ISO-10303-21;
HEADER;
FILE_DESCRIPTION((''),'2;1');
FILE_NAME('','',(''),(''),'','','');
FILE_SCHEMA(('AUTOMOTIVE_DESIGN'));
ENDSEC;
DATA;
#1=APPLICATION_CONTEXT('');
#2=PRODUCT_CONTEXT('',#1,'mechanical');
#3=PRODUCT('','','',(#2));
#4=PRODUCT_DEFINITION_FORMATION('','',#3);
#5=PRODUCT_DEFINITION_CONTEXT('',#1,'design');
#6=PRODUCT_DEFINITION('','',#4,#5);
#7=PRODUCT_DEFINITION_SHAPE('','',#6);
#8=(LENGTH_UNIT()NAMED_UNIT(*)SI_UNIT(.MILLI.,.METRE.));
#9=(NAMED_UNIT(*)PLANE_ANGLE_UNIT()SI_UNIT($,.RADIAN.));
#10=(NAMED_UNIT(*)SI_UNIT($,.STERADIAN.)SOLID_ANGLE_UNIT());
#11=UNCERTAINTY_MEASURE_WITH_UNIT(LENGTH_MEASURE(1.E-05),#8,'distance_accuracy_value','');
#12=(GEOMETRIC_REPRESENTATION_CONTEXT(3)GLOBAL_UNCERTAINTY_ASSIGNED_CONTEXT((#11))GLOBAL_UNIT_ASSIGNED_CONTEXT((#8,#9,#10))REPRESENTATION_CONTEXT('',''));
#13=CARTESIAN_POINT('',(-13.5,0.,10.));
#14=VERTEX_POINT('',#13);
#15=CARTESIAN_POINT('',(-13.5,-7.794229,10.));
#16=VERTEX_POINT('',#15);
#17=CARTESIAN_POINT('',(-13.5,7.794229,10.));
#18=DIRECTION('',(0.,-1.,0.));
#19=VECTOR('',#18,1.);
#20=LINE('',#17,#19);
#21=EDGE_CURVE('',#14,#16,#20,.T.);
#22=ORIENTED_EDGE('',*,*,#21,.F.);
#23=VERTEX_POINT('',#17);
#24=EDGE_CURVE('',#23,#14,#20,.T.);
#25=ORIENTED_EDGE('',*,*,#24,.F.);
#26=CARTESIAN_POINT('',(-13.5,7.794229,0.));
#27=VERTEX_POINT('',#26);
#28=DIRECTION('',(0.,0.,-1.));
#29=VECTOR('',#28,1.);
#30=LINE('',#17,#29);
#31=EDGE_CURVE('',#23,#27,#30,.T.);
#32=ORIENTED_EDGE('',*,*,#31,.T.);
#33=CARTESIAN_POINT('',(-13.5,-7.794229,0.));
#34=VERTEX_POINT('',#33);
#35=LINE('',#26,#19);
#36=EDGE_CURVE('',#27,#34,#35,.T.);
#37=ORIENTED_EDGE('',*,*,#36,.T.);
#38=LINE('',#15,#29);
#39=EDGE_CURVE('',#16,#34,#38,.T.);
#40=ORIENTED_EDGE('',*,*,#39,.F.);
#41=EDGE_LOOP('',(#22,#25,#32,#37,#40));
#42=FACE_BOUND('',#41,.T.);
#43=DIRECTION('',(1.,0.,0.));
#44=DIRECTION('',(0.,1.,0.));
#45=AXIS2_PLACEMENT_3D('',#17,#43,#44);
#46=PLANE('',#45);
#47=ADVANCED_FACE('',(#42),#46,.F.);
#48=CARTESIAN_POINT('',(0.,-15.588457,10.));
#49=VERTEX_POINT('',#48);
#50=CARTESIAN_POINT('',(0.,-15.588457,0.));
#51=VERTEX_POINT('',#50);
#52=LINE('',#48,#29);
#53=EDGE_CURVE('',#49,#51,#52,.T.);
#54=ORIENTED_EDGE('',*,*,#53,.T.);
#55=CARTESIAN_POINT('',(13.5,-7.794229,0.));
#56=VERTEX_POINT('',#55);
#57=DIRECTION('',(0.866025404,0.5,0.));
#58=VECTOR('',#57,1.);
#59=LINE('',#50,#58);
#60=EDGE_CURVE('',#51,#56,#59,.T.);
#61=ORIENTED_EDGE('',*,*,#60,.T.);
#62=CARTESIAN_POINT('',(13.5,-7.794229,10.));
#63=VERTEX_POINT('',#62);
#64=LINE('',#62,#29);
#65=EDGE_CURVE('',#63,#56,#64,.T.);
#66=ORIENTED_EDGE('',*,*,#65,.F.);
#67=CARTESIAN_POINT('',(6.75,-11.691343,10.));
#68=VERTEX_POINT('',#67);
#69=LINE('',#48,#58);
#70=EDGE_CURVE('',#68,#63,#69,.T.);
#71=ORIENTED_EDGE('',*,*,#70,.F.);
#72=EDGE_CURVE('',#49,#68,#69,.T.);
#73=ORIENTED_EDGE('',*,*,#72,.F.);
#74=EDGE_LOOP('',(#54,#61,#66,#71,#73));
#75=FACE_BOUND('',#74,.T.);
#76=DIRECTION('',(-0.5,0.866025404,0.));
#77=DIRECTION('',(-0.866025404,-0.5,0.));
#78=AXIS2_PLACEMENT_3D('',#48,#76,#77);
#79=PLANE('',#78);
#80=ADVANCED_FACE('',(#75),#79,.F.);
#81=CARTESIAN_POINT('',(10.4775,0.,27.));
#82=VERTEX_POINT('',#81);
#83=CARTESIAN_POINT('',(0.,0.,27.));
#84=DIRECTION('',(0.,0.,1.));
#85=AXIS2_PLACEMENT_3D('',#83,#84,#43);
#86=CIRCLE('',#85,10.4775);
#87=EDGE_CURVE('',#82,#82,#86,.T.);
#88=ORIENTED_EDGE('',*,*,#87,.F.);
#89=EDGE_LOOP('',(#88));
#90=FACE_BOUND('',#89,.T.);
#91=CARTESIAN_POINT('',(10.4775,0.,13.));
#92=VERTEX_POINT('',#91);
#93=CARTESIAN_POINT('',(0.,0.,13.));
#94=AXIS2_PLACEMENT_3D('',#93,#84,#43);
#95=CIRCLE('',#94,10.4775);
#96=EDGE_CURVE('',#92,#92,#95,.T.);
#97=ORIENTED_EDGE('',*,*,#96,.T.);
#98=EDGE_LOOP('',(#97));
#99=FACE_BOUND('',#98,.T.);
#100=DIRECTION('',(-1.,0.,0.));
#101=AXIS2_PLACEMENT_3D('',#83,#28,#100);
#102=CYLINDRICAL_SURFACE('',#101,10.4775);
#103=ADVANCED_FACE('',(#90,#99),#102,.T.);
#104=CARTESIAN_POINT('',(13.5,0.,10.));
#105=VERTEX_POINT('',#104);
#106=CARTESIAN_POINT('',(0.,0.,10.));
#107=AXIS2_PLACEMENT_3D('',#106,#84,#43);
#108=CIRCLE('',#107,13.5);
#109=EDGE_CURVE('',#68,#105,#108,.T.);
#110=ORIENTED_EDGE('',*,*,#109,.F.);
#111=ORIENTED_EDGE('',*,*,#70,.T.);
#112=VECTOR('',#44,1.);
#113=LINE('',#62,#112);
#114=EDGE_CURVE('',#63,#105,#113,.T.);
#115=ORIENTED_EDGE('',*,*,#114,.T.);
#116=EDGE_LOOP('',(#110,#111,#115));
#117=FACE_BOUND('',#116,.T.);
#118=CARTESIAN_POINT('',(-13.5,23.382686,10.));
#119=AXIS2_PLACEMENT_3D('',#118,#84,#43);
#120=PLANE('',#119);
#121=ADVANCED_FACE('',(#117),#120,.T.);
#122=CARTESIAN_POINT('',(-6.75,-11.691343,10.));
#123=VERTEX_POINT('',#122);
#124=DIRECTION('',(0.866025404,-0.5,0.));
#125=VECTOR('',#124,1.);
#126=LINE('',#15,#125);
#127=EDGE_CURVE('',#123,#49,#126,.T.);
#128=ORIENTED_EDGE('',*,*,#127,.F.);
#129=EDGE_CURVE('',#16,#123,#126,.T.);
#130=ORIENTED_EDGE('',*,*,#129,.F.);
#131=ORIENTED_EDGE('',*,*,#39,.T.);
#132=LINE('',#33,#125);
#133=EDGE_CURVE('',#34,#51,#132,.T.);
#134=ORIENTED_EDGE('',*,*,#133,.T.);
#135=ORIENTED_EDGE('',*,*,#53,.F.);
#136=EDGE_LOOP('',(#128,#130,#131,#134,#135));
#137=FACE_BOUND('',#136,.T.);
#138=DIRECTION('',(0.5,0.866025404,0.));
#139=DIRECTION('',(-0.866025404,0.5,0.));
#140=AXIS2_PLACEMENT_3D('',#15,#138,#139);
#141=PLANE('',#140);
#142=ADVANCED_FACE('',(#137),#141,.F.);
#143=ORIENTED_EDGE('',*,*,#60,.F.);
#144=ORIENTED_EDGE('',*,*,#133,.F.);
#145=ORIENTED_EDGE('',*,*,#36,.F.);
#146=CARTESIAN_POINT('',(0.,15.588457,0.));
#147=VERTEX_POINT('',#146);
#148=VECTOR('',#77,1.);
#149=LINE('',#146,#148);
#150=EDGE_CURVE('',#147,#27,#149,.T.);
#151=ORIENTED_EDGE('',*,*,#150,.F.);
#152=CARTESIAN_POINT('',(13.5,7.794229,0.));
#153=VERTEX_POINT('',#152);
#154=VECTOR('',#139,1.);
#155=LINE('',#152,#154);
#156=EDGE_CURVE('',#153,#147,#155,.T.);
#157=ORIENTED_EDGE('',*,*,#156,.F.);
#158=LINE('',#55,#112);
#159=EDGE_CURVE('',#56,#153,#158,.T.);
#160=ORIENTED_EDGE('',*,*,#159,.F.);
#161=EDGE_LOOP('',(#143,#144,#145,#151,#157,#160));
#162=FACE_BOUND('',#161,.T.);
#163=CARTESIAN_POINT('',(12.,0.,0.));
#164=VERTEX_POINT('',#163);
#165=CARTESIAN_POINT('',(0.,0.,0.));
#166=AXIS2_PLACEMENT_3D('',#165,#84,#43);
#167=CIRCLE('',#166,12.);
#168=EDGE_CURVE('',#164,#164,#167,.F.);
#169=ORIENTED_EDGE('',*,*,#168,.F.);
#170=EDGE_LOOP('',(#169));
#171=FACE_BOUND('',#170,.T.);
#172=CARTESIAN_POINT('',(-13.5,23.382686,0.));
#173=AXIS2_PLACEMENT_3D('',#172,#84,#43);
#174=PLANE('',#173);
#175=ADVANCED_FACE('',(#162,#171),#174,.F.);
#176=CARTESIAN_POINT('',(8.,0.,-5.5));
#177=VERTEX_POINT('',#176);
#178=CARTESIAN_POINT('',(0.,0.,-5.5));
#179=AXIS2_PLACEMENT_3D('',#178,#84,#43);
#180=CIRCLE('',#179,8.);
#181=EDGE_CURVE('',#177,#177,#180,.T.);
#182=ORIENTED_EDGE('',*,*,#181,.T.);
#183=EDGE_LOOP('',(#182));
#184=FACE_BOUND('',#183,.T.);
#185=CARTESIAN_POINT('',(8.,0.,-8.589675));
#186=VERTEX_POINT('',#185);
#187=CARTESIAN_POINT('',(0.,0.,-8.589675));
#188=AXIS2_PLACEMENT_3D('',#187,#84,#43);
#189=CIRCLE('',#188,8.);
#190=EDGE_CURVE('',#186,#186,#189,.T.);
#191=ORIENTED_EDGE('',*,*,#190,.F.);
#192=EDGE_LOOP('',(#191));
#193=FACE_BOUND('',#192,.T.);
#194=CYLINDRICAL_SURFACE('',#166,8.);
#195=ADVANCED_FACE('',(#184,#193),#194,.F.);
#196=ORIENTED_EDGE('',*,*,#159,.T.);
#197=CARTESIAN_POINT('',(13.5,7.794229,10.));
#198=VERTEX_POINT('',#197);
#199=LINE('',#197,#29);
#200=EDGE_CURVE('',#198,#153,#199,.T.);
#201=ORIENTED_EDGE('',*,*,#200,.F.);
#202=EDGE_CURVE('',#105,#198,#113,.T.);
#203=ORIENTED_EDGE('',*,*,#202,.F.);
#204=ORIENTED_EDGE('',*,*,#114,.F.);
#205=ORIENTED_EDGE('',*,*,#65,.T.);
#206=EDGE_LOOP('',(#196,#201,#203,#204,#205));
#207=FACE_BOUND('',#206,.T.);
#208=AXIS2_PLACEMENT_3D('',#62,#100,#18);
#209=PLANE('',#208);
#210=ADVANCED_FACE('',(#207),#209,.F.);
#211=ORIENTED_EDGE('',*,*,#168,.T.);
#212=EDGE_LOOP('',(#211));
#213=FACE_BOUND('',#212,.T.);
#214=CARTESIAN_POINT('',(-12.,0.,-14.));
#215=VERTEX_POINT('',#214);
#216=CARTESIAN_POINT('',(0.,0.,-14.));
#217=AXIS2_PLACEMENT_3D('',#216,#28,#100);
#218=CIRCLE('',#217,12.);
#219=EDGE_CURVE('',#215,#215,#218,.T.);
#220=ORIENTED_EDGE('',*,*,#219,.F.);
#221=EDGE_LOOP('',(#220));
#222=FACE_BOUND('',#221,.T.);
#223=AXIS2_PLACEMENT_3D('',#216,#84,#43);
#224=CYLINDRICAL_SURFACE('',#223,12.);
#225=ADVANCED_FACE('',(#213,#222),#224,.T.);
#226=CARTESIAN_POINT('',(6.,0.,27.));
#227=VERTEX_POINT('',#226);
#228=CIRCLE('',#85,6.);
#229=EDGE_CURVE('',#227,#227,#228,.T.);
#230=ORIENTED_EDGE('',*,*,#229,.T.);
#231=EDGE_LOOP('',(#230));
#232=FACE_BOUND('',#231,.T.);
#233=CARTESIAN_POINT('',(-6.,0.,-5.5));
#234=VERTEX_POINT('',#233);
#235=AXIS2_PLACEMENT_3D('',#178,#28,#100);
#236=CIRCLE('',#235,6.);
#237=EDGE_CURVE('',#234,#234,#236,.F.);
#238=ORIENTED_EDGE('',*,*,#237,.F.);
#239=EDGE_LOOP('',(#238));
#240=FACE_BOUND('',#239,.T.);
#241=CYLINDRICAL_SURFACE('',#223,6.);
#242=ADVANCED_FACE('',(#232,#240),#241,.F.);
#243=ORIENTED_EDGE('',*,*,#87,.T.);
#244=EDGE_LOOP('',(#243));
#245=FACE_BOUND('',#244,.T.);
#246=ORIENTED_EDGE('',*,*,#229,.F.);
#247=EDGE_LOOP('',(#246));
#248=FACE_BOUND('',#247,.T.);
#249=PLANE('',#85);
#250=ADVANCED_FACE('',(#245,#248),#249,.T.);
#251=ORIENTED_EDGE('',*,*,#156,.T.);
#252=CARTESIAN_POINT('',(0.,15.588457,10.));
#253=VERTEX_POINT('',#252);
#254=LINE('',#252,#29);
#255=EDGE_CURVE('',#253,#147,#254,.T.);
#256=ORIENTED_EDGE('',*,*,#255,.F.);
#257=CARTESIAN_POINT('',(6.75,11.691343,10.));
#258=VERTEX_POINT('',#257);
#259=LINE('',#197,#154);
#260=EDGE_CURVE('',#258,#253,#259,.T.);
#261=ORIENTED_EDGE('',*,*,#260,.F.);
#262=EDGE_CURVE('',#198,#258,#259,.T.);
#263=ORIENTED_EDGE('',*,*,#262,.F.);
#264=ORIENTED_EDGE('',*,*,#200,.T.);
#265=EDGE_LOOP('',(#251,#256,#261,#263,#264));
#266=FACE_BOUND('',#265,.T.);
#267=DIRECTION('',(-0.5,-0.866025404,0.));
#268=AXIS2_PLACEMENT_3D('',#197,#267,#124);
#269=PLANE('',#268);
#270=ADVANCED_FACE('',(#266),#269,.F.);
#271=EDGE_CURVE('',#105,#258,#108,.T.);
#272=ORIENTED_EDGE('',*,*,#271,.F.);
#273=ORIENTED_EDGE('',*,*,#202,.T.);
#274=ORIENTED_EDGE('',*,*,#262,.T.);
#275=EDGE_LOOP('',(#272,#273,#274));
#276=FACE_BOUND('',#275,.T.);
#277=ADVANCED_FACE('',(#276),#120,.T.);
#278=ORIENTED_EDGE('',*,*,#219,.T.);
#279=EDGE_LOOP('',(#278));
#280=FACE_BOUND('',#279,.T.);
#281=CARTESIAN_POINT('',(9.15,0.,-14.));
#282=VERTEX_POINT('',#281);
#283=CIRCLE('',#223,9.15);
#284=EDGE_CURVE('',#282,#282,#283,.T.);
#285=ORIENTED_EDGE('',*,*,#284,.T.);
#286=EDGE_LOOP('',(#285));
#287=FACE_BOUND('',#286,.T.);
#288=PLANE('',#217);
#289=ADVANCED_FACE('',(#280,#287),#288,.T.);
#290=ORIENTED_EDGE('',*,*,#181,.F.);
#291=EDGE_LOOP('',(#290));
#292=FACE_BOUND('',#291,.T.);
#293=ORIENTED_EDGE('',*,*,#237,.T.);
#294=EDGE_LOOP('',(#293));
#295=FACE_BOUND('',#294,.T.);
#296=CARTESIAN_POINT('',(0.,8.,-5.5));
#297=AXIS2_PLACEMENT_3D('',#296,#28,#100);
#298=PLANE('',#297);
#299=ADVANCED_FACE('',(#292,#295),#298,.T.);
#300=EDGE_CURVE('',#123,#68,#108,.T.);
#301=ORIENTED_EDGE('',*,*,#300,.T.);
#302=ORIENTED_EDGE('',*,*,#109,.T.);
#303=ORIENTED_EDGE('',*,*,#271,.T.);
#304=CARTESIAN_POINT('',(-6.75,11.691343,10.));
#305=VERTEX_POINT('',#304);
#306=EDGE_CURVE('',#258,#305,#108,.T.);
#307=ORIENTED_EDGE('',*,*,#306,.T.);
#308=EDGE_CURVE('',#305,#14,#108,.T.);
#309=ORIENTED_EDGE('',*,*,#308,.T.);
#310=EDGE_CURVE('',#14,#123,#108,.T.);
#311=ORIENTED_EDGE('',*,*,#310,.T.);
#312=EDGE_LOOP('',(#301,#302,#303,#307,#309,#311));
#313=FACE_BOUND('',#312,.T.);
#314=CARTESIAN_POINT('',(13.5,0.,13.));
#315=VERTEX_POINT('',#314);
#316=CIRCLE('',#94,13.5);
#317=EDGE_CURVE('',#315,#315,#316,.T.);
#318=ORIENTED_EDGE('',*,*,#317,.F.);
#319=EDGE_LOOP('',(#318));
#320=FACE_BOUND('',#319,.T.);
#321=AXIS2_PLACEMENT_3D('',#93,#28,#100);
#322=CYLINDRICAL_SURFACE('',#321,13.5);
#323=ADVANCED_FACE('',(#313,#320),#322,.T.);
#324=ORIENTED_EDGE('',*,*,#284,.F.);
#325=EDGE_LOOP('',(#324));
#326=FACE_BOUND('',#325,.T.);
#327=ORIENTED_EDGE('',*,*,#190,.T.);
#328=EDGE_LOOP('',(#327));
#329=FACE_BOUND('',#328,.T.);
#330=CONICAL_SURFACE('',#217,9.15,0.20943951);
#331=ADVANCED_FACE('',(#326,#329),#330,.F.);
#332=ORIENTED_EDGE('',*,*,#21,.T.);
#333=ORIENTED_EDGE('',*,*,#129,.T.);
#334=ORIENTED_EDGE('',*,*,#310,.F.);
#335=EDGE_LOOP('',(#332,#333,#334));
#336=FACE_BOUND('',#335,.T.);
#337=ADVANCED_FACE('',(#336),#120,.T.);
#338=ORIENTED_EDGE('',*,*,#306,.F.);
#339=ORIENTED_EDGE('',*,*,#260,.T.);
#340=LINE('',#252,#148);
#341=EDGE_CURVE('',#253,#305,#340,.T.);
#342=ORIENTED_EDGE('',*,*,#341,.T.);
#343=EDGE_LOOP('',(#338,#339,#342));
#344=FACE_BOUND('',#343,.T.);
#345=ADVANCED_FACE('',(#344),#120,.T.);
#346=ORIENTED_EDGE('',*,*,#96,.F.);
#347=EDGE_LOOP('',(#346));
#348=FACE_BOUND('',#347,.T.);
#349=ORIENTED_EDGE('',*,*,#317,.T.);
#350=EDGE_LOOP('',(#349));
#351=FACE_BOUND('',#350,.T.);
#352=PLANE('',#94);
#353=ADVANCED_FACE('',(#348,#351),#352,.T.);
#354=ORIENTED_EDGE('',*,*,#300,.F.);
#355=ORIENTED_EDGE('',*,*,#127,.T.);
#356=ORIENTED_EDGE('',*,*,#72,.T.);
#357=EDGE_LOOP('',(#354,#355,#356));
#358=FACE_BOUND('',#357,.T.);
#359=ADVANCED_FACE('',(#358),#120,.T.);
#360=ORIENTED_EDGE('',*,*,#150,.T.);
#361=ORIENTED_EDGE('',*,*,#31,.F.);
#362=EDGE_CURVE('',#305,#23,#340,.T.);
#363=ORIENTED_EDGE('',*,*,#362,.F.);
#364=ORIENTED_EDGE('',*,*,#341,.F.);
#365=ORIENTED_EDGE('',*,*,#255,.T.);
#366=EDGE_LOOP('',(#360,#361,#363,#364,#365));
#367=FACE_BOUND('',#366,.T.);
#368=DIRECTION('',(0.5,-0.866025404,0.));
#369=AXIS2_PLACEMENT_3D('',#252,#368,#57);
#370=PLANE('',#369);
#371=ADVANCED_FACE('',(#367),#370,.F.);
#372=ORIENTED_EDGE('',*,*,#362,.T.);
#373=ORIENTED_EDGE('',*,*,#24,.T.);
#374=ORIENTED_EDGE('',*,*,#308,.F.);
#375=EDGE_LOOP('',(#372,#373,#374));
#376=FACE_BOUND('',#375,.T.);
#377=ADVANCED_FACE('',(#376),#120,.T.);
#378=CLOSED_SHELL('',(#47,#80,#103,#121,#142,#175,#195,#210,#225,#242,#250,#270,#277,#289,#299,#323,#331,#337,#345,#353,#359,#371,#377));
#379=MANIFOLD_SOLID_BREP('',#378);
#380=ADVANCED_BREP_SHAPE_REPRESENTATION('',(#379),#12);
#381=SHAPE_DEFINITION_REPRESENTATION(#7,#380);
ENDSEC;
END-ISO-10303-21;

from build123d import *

# Parameters (mm, degrees)
BASE_EXTRUDE_DEPTH  = 10
SKETCH2_R           = 13.5
BOSS_EXTRUDE1_DEPTH = 3
SKETCH3_R           = 10.4775
BOSS_EXTRUDE2_DEPTH = 14
SKETCH4_R           = 12
BOSS_EXTRUDE3_DEPTH = 14
SKETCH5_R           = 6
CUT_EXTRUDE1_DEPTH  = 42


with BuildPart() as part:
    # Sketch1 → Base-Extrude (new body)
    with BuildSketch(Plane.XY):
        Polygon((0, 15.588457268), (-13.5, 7.794228634), (-13.5, -7.794228634), (0, -15.588457268), (13.5, -7.794228634), (13.5, 7.794228634), align=None)
    extrude(amount=BASE_EXTRUDE_DEPTH)

    # Sketch2 → Boss-Extrude1 (add)
    with BuildSketch(Plane.XY.offset(10)):
        Circle(SKETCH2_R)
    extrude(amount=BOSS_EXTRUDE1_DEPTH)

    # Sketch3 → Boss-Extrude2 (add)
    with BuildSketch(Plane.XY.offset(13)):
        Circle(SKETCH3_R)
    extrude(amount=BOSS_EXTRUDE2_DEPTH)

    # Sketch4 → Boss-Extrude3 (add)
    with BuildSketch(Plane(origin=(0, 0, 0), x_dir=(-1, 0, 0), z_dir=(0, 0, -1))):
        Circle(SKETCH4_R)
    extrude(amount=BOSS_EXTRUDE3_DEPTH)

    # Sketch5 → Cut-Extrude1 (cut, through all)
    with BuildSketch(Plane.XY.offset(27)):
        Circle(SKETCH5_R)
    extrude(amount=-CUT_EXTRUDE1_DEPTH, mode=Mode.SUBTRACT)

    # Sketch7 → Cut-Revolve1 (revolve, cut)
    with BuildSketch(Plane(origin=(0, 0, 0), x_dir=(0, 0, -1), z_dir=(1, 0, 0))):
        Polygon((14, 0), (14, 9.15), (8.589675374, 8), (5.5, 8), (5.5, 0), align=None)
    revolve(axis=Axis((0, 0, 0), (0, 0, -1)), mode=Mode.SUBTRACT)


solid = part.part
